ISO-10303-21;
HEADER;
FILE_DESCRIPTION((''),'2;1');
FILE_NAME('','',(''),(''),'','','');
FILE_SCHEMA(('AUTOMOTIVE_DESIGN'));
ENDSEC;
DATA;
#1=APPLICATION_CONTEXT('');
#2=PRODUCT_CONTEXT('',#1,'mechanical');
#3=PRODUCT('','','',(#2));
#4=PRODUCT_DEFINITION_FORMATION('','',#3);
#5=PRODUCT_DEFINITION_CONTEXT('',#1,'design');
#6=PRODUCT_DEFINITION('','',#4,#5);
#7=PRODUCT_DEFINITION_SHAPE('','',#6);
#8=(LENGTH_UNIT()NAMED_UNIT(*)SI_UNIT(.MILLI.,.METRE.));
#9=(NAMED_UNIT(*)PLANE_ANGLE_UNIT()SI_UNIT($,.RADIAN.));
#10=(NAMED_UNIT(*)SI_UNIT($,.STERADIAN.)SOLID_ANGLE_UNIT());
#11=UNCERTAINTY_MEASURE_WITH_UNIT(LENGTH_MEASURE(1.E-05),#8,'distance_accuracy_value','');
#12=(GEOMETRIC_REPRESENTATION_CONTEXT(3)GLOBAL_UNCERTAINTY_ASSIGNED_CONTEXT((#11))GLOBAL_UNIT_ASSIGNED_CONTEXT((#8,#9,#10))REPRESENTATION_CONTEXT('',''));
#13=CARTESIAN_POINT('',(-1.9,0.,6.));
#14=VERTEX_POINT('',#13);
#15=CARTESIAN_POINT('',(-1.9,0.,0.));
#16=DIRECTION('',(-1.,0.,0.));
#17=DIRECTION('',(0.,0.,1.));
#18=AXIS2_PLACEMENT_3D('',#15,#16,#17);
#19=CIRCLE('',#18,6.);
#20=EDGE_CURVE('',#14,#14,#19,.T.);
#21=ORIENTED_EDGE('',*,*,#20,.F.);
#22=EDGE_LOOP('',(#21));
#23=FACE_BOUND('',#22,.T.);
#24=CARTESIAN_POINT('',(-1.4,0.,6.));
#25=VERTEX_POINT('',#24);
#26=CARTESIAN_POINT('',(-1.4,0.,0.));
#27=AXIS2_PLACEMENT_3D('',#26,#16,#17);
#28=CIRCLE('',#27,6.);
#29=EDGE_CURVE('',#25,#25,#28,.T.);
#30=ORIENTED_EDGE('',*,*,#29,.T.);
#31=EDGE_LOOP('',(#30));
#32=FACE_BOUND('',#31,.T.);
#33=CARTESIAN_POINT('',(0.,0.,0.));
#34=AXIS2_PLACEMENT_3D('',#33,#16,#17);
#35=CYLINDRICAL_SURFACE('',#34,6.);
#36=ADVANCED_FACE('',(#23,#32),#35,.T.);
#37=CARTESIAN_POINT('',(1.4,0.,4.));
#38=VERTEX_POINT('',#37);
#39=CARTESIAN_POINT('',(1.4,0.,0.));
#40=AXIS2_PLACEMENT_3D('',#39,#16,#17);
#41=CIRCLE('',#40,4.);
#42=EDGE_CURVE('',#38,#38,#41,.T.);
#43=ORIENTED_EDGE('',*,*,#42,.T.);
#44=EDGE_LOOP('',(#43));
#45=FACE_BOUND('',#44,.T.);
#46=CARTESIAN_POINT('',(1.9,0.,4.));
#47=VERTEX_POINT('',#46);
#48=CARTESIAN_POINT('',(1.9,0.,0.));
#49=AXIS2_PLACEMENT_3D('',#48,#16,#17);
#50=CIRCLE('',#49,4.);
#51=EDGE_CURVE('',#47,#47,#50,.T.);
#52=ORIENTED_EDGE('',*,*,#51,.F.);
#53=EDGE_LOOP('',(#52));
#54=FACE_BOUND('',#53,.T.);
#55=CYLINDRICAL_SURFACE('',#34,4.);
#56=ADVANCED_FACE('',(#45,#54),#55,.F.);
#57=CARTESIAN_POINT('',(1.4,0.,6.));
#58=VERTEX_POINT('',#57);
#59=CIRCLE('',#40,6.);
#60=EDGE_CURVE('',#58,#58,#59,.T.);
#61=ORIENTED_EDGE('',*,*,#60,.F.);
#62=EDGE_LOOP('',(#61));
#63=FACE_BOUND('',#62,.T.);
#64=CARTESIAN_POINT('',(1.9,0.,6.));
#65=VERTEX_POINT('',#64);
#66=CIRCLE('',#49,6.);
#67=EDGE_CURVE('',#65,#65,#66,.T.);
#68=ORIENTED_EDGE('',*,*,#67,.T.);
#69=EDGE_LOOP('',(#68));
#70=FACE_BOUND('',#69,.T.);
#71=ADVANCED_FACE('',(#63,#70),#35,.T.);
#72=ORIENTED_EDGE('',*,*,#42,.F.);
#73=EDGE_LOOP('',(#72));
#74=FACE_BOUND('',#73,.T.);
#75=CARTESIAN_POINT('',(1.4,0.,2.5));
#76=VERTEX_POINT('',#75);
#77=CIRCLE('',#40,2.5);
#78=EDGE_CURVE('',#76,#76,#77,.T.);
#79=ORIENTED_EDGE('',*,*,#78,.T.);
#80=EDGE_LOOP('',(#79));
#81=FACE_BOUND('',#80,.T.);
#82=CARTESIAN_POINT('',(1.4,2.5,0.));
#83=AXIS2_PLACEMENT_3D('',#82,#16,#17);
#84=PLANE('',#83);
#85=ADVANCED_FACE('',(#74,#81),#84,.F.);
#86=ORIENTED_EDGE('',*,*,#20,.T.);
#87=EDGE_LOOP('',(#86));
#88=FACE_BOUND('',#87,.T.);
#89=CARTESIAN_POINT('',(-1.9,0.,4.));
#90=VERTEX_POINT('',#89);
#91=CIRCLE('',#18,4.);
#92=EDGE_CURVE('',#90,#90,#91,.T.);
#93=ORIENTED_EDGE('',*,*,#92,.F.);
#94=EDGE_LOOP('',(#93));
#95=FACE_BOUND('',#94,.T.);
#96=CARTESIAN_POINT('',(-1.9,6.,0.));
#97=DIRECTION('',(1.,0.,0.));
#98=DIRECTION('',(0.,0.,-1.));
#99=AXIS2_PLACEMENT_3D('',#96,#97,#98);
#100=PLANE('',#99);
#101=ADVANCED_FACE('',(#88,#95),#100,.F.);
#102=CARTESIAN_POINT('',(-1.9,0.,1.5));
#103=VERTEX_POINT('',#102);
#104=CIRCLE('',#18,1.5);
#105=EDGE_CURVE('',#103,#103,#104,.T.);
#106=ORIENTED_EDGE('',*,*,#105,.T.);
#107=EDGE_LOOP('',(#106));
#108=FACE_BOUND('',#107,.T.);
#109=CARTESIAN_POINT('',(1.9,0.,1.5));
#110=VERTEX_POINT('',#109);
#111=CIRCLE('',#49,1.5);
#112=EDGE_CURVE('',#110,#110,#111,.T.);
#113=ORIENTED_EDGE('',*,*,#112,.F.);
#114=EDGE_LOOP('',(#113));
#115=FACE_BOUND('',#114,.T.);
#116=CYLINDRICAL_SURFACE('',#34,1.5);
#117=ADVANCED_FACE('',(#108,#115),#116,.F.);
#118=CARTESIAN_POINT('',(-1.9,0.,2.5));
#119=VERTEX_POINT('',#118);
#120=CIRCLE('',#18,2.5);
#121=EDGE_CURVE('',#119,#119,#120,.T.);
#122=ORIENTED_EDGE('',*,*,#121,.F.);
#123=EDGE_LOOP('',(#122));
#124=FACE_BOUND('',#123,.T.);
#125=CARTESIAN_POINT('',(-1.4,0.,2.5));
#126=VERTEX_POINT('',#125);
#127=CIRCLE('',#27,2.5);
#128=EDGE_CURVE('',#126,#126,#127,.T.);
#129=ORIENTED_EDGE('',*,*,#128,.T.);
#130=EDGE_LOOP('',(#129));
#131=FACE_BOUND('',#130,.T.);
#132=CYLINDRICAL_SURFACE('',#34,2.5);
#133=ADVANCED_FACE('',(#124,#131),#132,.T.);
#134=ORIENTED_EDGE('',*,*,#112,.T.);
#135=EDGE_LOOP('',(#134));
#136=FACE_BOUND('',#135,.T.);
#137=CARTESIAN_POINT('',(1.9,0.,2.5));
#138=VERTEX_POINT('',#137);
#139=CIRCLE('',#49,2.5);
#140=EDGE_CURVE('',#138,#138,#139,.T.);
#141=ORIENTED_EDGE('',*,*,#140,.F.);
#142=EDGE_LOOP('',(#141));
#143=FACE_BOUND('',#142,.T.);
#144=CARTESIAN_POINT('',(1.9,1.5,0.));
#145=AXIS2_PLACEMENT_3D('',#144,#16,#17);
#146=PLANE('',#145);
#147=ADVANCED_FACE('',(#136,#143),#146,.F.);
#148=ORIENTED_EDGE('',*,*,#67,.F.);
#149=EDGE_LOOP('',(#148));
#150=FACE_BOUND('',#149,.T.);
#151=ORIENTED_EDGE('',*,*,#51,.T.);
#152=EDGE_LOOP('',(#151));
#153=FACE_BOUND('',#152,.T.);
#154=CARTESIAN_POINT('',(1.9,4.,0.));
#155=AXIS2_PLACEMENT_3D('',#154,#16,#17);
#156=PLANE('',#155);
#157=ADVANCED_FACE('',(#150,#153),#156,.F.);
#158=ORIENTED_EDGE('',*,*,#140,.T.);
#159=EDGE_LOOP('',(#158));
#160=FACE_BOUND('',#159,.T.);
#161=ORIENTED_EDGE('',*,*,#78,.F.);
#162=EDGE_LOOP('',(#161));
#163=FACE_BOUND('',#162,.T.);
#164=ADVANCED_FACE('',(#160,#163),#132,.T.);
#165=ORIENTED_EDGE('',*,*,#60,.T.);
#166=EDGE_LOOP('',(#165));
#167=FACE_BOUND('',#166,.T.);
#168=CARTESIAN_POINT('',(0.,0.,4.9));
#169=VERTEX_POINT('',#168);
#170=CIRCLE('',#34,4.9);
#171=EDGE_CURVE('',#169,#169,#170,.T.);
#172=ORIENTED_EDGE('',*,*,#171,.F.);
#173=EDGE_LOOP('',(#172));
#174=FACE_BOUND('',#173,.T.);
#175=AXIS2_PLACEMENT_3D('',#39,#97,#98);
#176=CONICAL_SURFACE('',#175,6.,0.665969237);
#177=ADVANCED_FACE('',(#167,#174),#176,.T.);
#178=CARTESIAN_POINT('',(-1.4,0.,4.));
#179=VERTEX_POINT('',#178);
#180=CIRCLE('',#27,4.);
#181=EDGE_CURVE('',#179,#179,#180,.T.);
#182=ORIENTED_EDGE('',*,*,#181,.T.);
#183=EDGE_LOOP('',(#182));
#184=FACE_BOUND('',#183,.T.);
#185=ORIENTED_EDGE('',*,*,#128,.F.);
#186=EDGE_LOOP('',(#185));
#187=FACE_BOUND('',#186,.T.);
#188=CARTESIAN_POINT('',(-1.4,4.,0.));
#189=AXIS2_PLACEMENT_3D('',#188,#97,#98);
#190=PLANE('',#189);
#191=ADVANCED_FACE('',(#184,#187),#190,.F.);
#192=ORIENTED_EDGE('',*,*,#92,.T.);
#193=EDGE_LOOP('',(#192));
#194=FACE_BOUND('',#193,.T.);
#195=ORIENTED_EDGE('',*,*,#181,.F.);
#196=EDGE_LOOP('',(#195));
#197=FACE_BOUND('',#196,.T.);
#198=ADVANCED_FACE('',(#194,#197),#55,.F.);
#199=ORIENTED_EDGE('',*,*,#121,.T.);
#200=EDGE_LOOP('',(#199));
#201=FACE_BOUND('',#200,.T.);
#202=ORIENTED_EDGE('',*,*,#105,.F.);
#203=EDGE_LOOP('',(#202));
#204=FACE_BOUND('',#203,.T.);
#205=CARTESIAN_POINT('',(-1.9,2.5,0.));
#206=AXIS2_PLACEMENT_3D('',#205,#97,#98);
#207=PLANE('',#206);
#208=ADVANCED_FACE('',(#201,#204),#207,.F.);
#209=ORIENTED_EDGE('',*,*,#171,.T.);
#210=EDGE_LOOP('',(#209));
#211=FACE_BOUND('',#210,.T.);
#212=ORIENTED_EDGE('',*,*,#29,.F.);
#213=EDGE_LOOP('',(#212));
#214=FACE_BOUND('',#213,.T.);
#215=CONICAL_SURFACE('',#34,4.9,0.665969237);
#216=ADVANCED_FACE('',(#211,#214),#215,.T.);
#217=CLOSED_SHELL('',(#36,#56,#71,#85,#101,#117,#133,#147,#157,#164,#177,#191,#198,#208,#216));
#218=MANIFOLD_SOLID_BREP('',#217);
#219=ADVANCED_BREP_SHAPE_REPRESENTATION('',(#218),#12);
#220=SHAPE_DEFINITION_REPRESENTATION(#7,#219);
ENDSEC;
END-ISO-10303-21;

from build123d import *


with BuildPart() as part:
    # 草图1 → 旋转1 (revolve)
    with BuildSketch(Plane.XY, mode=Mode.PRIVATE) as revolve_1_sk:
        Polygon((-1.9, 1.5), (1.9, 1.5), (1.9, 2.5), (1.4, 2.5), (1.4, 4), (1.9, 4), (1.9, 6), (1.4, 6), (0, 4.9), (-1.4, 6), (-1.9, 6), (-1.9, 4), (-1.4, 4), (-1.4, 2.5), (-1.9, 2.5), align=None)
    revolve(revolve_1_sk.sketch.rotate(Axis((0, 0, 0), (1, 0, 0)), 90), axis=Axis((0, 0, 0), (1, 0, 0)))


solid = part.part
